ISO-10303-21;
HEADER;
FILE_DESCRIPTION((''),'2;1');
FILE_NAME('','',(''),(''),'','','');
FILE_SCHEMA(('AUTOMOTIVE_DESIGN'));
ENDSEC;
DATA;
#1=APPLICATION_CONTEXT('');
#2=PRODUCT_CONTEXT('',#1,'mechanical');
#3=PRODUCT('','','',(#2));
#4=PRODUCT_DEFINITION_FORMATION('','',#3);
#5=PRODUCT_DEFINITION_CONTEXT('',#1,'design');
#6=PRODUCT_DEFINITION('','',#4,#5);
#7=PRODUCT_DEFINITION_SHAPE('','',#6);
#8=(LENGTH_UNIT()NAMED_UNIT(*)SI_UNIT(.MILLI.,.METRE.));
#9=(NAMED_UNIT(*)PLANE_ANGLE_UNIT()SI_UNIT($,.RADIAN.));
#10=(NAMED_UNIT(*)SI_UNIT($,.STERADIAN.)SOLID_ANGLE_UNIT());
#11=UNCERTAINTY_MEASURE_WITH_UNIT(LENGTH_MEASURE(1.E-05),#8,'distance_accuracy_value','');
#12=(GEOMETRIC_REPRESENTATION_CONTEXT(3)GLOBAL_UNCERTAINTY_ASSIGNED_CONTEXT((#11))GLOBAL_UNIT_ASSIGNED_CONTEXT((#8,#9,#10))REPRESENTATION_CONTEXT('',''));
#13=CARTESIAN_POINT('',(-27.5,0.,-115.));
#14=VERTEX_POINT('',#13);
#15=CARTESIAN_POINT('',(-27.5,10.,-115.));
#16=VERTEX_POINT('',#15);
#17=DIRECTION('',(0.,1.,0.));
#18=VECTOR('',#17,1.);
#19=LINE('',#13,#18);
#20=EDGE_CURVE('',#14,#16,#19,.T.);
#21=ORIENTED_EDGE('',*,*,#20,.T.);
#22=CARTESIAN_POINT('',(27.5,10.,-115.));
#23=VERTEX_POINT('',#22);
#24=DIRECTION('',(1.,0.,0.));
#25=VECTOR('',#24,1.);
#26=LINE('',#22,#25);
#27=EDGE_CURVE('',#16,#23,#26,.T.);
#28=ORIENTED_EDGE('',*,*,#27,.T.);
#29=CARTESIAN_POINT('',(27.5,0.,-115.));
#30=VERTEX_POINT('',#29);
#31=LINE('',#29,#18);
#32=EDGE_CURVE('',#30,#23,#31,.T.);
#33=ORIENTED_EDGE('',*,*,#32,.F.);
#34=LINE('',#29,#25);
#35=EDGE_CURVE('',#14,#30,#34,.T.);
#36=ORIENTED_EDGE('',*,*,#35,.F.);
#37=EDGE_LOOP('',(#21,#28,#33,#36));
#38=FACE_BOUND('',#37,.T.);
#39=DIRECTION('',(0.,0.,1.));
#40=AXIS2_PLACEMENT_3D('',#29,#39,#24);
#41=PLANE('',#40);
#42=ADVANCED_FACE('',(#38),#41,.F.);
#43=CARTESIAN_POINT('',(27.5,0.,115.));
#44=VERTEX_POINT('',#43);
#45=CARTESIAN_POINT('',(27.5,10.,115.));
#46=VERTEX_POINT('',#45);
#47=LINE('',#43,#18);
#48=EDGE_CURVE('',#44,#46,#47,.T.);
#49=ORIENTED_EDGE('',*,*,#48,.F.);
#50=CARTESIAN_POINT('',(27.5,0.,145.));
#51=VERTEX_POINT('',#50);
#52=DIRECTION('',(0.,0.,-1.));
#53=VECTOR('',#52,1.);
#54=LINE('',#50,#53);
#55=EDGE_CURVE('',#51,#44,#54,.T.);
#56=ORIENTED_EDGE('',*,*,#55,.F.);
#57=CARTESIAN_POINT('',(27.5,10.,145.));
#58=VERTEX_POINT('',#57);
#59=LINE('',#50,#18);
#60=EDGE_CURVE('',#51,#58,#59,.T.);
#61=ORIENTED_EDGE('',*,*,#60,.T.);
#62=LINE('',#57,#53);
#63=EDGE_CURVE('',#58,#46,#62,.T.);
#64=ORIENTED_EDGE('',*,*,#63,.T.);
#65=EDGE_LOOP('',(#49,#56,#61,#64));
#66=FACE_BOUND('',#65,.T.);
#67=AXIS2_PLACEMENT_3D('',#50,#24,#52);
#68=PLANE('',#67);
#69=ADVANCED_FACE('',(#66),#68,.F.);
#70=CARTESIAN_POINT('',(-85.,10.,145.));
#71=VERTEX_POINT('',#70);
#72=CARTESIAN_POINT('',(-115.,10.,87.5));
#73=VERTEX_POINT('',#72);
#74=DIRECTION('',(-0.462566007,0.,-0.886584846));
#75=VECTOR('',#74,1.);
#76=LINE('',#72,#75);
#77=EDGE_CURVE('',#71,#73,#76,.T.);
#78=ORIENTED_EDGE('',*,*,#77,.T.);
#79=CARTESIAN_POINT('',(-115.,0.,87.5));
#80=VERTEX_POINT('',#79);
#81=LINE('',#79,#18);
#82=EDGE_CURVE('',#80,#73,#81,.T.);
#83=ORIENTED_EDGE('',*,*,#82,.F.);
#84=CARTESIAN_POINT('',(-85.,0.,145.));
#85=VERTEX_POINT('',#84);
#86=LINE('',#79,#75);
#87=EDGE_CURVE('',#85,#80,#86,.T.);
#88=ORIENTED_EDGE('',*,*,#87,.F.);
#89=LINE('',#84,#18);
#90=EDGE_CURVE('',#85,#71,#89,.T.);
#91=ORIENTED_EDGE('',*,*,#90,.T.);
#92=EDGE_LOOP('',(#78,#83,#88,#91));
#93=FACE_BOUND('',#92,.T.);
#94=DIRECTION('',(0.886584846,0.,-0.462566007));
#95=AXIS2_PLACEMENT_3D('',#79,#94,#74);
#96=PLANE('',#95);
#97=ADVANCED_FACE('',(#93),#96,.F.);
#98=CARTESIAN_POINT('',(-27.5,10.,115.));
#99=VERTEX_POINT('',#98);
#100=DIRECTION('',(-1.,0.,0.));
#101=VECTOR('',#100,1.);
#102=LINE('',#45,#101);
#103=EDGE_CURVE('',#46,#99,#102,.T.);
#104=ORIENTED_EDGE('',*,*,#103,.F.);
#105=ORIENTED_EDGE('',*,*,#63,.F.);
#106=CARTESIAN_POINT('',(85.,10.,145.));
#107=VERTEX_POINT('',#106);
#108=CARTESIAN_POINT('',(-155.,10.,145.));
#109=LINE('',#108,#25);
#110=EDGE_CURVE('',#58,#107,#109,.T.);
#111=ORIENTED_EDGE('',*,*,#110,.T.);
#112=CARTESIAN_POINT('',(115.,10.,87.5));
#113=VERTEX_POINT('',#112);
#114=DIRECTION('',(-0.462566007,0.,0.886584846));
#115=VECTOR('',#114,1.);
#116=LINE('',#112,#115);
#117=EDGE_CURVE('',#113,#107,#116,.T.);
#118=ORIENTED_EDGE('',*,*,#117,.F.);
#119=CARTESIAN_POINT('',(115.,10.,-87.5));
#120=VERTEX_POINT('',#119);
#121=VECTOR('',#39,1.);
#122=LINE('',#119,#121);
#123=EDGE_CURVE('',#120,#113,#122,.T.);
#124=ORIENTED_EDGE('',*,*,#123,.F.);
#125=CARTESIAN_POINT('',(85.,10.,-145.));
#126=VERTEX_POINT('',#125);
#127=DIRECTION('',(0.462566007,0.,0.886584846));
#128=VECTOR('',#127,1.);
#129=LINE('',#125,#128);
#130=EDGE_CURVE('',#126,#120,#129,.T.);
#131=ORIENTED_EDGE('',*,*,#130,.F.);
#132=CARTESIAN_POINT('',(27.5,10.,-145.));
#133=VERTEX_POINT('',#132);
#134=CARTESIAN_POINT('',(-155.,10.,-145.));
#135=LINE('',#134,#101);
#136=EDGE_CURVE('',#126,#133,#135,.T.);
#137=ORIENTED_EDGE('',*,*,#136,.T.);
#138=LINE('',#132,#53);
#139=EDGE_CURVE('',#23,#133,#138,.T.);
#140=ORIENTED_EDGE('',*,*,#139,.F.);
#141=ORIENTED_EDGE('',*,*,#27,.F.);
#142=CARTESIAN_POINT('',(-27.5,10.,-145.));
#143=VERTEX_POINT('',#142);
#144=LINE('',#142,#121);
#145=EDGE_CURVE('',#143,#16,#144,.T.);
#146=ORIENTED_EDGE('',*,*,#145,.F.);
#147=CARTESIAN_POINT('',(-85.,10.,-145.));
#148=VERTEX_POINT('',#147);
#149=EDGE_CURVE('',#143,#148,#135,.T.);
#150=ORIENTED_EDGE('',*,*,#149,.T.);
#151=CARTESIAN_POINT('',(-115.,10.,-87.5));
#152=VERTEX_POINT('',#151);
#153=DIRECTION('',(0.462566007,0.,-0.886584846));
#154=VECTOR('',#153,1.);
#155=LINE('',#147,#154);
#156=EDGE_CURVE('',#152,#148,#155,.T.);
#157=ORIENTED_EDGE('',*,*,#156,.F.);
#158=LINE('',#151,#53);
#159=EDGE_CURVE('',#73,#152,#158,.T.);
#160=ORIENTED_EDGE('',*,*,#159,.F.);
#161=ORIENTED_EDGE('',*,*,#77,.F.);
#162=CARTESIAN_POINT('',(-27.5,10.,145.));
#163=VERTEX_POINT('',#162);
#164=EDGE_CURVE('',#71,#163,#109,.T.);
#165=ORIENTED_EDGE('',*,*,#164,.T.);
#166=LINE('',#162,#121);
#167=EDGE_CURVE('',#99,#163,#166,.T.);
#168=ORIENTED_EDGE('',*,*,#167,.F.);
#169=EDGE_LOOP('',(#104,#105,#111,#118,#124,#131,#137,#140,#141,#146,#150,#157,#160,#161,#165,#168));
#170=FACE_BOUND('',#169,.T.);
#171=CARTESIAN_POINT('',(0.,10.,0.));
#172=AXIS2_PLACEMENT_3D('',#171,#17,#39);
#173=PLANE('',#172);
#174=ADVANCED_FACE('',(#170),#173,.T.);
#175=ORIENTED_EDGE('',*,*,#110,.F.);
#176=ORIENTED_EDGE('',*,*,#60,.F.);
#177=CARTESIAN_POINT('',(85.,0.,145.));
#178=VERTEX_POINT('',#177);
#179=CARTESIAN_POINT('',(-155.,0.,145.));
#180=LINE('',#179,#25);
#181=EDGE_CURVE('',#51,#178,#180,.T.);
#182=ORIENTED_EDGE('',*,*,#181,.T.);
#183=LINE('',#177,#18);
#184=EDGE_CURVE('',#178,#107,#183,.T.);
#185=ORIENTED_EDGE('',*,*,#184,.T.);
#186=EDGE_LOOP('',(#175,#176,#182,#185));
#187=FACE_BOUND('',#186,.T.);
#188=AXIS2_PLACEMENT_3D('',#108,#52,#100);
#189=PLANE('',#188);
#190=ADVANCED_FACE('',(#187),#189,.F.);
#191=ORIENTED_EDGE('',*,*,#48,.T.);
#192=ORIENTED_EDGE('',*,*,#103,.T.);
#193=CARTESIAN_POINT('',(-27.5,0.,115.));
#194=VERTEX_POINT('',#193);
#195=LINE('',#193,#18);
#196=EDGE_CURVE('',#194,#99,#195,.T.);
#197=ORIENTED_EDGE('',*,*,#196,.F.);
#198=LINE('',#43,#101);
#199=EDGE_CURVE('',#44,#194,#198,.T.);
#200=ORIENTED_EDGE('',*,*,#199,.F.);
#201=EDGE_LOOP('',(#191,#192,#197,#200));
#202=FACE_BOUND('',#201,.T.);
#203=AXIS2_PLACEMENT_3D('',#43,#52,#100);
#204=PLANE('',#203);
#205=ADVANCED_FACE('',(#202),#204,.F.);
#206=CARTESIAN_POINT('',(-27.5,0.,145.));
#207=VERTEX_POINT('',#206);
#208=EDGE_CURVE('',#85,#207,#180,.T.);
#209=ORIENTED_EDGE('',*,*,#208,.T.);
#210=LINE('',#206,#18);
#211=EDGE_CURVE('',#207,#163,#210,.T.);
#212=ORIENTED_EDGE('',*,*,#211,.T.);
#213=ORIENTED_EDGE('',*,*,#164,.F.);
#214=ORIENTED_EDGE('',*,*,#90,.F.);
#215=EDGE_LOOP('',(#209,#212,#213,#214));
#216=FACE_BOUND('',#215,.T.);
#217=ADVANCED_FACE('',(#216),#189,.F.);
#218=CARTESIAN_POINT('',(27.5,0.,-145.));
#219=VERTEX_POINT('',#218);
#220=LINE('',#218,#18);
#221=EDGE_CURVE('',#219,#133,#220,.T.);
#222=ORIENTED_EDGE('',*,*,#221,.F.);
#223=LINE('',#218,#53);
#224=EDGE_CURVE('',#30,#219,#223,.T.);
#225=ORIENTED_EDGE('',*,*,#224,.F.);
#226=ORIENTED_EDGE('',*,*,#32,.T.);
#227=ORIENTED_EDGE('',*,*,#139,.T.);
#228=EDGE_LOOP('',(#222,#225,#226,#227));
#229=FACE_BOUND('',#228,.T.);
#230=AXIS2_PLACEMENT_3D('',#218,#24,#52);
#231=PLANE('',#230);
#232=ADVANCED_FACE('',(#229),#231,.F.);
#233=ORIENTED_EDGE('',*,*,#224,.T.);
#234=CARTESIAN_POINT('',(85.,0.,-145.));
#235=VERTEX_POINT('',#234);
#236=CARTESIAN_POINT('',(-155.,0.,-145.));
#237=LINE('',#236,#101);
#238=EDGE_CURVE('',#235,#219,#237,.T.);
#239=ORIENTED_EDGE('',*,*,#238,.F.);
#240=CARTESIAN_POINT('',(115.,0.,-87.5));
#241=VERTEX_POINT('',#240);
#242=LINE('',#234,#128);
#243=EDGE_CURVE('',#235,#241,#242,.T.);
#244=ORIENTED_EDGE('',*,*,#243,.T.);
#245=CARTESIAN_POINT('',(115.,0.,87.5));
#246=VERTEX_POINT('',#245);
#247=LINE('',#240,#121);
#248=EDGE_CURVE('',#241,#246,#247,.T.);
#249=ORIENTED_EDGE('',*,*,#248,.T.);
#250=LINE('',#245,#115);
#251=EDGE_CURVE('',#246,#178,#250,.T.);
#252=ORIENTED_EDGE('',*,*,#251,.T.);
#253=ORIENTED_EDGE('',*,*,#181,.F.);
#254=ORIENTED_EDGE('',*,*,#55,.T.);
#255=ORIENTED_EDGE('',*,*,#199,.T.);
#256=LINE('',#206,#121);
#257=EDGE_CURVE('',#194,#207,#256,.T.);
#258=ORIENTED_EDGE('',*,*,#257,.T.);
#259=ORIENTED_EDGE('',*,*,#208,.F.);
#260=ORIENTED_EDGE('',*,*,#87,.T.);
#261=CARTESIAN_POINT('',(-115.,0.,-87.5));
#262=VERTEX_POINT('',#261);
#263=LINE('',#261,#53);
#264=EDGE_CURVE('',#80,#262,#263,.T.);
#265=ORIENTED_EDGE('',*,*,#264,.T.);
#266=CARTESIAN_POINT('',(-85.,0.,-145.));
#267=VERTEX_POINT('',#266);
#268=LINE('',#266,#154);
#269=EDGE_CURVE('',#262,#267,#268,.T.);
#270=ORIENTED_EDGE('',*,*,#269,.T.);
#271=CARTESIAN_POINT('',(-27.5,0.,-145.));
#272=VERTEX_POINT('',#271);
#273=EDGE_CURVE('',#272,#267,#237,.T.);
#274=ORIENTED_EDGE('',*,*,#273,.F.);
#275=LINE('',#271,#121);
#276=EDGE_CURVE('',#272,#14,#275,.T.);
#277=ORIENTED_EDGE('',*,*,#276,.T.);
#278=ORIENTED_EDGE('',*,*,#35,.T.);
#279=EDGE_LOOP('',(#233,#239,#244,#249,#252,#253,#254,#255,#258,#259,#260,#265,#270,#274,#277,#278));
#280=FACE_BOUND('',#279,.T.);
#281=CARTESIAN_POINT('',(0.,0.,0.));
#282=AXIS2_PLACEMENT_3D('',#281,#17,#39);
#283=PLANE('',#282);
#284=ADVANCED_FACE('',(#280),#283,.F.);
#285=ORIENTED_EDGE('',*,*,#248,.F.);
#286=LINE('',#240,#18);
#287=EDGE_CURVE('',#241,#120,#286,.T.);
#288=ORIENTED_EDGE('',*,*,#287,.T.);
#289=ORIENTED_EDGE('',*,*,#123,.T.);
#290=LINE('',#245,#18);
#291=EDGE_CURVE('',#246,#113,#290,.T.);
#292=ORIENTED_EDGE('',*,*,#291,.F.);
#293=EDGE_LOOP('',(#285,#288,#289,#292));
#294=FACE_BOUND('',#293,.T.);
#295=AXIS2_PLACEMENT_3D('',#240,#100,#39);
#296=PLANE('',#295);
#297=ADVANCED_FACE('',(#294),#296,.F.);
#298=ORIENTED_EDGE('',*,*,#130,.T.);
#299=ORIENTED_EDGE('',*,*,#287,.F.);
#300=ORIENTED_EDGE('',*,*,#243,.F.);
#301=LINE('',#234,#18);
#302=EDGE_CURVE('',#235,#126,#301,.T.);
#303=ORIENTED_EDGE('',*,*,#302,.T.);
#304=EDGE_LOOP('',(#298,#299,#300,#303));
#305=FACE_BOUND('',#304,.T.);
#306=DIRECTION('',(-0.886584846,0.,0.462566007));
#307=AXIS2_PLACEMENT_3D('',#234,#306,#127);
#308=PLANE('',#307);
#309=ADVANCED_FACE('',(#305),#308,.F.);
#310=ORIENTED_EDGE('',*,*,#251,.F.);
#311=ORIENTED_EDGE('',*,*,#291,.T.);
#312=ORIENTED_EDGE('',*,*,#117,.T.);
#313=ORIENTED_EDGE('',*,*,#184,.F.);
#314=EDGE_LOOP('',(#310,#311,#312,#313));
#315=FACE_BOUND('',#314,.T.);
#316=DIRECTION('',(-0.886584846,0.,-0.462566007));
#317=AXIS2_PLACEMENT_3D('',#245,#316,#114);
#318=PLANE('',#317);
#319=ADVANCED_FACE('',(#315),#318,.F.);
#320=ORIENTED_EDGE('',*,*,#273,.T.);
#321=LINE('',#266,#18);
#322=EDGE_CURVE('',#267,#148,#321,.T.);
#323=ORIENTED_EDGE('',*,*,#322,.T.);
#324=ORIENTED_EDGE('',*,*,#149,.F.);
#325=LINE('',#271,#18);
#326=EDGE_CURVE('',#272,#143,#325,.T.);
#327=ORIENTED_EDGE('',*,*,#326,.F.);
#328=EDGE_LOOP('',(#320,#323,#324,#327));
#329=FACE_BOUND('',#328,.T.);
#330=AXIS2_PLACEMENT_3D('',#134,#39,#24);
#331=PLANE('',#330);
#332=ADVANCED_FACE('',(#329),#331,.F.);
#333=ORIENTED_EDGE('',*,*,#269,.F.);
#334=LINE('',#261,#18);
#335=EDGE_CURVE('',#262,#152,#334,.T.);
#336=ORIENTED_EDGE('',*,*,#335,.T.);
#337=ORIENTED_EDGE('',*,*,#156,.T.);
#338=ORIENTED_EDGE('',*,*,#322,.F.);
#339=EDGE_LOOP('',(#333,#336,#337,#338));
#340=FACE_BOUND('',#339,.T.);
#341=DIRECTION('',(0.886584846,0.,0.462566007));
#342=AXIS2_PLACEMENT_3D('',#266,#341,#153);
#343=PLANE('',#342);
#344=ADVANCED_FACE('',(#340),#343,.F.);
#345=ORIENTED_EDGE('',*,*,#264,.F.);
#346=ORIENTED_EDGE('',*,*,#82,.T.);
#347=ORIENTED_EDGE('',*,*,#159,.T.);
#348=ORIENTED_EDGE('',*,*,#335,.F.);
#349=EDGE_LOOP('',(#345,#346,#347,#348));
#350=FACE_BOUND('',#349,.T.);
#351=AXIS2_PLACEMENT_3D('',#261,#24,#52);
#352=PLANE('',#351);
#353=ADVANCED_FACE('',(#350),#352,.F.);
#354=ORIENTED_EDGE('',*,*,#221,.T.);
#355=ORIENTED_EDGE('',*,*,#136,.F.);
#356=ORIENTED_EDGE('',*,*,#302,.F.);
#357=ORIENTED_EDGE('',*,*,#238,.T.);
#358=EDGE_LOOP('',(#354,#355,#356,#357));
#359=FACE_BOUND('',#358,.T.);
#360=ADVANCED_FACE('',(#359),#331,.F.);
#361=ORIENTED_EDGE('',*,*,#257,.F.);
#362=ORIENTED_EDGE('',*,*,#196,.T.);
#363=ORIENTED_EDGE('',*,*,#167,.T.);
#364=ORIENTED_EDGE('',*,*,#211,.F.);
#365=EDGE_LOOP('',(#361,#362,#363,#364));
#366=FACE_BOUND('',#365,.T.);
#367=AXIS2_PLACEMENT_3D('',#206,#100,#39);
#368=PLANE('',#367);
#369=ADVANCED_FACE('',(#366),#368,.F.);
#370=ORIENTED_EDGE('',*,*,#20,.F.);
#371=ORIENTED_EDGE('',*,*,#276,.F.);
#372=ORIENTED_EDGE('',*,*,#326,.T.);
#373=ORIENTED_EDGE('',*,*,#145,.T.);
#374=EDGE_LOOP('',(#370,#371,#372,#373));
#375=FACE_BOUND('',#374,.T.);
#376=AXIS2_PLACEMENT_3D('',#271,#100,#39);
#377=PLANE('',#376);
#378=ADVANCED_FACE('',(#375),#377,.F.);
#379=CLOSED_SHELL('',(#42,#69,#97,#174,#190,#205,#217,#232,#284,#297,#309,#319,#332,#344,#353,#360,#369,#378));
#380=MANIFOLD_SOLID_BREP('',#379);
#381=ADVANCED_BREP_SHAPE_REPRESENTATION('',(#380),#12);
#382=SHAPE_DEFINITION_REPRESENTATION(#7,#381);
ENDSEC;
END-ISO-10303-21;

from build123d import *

# Parameters (mm, degrees)
SKETCH1_W           = 310
SKETCH1_H           = 290
BOSS_EXTRUDE1_DEPTH = 10
CUT_EXTRUDE1_DEPTH  = 213.485293609
SKETCH3_W           = 55
SKETCH3_H           = 30
CUT_EXTRUDE2_DEPTH  = 186.33752993


with BuildPart() as part:
    # Sketch1 → Boss-Extrude1 (new body)
    with BuildSketch(Plane(origin=(0, 0, 0), x_dir=(1, 0, 0), z_dir=(0, 1, 0))):
        Rectangle(SKETCH1_W, SKETCH1_H)
    extrude(amount=BOSS_EXTRUDE1_DEPTH)

    # Sketch2 → Cut-Extrude1 (cut, through all)
    with BuildSketch(Plane(origin=(0, 10, 0), x_dir=(1, 0, 0), z_dir=(0, 1, 0))):
        Polygon((-85, 145), (-115.000000002, 87.5), (-115.000000002, -87.5), (-85, -145), (-155, -145), (-155, 145), align=None)
        Polygon((155, -145), (155, 145), (85, 145), (115.000000002, 87.5), (115.000000002, -87.5), (85, -145), align=None)
    extrude(amount=-CUT_EXTRUDE1_DEPTH, mode=Mode.SUBTRACT)

    # Sketch3 → Cut-Extrude2 (cut, through all)
    with BuildSketch(Plane(origin=(0, 10, 0), x_dir=(1, 0, 0), z_dir=(0, 1, 0))):
        with Locations((0, 130)):
            Rectangle(SKETCH3_W, SKETCH3_H)
        with Locations((0, -130)):
            Rectangle(SKETCH3_W, SKETCH3_H)
    extrude(amount=-CUT_EXTRUDE2_DEPTH, mode=Mode.SUBTRACT)


solid = part.part
